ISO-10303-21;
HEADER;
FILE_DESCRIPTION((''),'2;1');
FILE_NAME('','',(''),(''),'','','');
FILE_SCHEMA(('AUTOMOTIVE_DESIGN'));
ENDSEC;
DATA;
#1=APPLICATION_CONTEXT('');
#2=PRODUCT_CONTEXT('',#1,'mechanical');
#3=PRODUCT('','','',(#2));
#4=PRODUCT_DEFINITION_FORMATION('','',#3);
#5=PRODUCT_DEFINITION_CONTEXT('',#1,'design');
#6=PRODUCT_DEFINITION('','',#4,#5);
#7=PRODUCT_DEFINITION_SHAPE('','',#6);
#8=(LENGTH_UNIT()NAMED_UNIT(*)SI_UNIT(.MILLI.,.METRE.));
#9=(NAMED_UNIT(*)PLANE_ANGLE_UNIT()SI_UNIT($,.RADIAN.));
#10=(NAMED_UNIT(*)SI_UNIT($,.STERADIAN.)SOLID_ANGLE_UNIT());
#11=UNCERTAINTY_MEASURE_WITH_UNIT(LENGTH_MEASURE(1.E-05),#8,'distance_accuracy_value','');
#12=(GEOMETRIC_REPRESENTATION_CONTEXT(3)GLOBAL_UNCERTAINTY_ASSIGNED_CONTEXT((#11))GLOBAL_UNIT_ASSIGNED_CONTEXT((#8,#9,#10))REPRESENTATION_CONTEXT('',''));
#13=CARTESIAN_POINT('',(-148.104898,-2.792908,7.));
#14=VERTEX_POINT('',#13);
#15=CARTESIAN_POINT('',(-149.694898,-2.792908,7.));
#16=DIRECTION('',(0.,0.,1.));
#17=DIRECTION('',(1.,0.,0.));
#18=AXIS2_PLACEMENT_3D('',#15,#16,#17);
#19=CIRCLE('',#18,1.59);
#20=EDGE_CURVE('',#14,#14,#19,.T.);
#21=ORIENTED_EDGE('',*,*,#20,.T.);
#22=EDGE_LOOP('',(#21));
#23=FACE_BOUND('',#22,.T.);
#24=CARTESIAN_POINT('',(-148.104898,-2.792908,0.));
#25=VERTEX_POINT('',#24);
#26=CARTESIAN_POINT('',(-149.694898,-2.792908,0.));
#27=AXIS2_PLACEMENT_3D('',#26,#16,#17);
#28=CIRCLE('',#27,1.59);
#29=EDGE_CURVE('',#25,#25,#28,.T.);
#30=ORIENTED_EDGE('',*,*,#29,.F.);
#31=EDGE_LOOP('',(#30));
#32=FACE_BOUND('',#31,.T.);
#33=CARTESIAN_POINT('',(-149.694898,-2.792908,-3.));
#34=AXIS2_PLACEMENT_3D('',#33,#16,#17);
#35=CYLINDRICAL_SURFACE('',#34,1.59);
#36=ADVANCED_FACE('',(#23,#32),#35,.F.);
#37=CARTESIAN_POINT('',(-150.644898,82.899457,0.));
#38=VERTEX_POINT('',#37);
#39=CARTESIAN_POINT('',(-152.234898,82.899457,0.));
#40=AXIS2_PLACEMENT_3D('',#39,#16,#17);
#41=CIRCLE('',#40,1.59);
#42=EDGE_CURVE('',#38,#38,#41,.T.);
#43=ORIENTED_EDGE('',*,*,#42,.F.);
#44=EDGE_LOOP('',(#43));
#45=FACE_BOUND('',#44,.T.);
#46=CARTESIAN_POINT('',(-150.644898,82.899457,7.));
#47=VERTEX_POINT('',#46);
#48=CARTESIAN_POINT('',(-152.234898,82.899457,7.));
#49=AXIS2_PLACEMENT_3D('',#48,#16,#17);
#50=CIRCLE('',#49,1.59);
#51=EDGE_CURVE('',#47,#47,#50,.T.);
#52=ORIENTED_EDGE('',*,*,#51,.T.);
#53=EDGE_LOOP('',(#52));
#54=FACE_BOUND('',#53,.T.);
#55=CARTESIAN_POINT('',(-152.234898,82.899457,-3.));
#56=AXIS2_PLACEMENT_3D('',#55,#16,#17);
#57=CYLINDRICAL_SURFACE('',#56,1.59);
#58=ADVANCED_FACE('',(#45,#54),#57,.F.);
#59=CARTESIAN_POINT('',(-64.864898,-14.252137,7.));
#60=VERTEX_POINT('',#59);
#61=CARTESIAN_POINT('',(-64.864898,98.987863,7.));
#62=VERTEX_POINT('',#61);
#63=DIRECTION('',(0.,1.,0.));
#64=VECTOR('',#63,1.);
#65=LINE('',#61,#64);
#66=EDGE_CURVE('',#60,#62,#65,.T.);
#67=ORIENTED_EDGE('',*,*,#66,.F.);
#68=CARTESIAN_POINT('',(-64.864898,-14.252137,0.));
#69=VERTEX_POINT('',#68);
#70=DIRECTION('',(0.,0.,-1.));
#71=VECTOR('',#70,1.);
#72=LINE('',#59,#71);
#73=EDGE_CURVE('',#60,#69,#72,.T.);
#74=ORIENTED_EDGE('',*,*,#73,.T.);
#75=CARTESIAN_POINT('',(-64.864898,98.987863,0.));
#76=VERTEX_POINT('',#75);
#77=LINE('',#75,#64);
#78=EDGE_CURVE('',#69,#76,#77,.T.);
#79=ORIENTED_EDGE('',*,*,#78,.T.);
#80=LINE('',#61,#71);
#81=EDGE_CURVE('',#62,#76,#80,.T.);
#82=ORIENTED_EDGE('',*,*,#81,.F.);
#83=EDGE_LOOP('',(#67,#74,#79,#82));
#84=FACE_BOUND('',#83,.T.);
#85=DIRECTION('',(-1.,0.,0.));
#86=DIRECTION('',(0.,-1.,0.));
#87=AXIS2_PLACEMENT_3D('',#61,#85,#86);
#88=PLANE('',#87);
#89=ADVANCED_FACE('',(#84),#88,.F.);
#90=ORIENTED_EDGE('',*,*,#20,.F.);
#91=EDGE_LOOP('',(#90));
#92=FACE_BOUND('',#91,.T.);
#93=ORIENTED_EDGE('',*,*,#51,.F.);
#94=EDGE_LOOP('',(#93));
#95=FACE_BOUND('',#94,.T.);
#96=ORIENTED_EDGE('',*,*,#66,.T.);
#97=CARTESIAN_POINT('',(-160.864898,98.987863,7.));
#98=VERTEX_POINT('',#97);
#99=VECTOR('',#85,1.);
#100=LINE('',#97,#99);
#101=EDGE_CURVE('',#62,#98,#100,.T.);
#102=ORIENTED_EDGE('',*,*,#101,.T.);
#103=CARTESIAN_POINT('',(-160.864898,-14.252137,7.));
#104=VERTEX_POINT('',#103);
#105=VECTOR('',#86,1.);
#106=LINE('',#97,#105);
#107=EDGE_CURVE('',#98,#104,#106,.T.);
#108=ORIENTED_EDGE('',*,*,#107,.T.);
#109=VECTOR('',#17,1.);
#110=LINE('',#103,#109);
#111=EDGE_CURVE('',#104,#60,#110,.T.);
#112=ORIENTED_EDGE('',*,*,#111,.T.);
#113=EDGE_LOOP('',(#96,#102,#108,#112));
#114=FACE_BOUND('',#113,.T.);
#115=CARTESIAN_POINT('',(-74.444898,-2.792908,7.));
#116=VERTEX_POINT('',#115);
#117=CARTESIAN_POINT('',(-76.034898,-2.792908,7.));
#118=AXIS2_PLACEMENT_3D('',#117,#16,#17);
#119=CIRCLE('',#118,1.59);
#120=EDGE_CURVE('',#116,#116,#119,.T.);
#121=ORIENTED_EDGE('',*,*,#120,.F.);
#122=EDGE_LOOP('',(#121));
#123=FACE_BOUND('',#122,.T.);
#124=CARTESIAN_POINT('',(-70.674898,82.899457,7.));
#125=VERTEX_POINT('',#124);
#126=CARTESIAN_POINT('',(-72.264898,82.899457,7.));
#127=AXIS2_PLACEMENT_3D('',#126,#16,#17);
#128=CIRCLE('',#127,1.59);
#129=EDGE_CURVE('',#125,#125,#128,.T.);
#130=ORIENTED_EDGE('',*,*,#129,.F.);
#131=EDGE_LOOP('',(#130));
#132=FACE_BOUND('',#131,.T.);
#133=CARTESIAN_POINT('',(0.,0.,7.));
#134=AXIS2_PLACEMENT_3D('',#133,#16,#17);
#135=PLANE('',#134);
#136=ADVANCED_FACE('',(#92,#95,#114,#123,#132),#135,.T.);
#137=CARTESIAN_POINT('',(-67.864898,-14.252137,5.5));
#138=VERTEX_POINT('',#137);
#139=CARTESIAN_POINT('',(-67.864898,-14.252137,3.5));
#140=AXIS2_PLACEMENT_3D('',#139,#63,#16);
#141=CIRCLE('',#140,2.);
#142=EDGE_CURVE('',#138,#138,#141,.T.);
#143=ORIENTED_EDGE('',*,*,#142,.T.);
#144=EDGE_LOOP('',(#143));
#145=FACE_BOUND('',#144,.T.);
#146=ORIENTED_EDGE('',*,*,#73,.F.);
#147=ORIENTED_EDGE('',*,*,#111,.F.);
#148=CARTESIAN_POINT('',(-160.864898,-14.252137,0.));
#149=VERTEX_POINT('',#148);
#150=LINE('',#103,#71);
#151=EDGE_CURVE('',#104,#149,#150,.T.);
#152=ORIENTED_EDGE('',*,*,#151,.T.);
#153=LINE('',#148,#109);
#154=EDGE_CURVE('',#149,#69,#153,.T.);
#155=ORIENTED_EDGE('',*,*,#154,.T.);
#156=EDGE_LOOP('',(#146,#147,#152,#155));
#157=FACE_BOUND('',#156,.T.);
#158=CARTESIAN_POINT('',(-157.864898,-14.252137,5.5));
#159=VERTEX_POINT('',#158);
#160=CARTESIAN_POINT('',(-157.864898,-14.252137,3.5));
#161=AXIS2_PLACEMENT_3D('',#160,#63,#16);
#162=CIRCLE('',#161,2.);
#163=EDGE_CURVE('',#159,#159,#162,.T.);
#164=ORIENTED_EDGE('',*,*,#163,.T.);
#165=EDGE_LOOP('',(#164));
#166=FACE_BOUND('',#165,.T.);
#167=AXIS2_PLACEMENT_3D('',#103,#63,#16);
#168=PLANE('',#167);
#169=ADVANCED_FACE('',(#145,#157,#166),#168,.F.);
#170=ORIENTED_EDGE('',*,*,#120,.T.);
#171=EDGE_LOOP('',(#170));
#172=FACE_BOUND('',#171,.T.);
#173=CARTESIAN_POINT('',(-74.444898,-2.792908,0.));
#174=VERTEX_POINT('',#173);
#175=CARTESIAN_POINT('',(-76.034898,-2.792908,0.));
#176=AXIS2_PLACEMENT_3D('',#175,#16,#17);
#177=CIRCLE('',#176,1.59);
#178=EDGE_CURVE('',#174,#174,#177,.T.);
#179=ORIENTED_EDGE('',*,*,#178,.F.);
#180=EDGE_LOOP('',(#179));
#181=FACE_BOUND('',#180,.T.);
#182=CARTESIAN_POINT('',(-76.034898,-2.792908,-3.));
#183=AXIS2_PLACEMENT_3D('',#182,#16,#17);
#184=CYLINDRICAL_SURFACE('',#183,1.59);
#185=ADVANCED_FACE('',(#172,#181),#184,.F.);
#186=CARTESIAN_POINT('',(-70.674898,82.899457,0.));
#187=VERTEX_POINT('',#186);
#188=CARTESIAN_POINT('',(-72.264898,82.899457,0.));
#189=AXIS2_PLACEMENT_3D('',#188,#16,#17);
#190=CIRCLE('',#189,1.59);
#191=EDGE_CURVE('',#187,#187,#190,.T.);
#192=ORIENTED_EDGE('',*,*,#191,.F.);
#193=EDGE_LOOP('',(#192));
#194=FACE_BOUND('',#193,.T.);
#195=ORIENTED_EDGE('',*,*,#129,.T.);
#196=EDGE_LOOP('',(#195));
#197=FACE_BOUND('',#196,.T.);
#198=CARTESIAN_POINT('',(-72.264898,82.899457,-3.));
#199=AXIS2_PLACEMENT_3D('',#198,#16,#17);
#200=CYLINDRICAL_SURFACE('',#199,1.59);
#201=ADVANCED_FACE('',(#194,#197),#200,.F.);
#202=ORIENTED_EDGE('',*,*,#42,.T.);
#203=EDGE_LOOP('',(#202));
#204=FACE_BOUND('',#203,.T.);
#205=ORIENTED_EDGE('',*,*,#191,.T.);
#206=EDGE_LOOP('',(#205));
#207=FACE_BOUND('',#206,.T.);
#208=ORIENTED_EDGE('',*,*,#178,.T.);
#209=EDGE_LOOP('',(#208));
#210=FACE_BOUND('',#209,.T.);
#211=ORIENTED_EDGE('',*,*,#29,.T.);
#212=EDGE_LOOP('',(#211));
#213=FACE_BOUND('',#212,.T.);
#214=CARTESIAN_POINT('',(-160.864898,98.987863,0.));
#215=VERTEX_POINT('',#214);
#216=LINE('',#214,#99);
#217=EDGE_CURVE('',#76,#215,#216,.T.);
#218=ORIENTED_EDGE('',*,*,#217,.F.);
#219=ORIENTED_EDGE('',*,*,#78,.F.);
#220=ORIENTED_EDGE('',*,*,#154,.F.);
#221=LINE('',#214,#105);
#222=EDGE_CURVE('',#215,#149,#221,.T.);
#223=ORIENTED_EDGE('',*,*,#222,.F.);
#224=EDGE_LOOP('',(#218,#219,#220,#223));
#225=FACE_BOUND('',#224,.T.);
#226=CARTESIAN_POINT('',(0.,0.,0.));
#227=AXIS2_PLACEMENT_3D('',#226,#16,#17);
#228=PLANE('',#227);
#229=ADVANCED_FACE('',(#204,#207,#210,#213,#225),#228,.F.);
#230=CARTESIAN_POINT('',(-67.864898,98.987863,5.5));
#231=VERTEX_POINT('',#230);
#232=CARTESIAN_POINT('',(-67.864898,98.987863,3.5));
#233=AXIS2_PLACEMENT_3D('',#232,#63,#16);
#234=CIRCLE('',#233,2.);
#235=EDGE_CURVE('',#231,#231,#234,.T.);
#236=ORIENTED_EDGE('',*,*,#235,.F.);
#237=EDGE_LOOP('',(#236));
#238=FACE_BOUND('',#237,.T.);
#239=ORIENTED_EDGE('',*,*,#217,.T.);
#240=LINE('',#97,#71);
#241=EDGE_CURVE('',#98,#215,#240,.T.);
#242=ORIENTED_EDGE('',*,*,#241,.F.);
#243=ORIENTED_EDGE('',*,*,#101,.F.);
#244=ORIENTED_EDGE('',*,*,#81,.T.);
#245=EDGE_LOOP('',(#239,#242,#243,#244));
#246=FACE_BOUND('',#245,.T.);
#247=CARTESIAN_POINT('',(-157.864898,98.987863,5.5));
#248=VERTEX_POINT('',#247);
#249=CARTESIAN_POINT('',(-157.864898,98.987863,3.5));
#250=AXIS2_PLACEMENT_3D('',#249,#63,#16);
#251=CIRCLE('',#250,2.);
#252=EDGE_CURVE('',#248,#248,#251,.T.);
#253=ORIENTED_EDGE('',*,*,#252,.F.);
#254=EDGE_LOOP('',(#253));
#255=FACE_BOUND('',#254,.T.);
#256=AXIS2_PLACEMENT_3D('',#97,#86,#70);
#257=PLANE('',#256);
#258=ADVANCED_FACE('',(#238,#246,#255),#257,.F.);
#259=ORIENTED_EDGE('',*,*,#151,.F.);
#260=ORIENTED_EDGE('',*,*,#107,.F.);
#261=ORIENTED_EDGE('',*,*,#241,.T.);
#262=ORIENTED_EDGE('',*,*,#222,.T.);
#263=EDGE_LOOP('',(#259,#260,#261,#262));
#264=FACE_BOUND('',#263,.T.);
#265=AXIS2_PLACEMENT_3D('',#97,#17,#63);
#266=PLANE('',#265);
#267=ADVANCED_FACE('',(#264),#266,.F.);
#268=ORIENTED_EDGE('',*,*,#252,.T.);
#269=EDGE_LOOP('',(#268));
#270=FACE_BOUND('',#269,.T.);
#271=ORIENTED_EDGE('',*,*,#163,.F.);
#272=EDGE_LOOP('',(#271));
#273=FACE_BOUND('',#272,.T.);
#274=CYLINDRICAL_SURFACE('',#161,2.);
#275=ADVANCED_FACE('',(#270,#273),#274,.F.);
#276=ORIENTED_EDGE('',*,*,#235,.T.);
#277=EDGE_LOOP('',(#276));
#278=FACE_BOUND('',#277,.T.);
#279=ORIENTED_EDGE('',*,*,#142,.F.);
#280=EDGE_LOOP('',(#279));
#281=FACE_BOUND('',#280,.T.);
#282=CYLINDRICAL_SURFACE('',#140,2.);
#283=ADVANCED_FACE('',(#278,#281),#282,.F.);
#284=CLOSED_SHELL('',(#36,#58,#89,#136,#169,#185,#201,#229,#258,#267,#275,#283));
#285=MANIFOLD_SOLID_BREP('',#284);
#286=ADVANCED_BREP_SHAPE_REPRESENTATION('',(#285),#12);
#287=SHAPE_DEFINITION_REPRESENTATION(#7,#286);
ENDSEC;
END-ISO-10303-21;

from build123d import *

# Parameters (mm, degrees)
SKETCH1_W           = 96
SKETCH1_H           = 113.24
BOSS_EXTRUDE1_DEPTH = 7
SKETCH2_R           = 1.59
CUT_EXTRUDE1_DEPTH  = 10
SKETCH4_R           = 2
CUT_EXTRUDE3_DEPTH  = 197.849722269


with BuildPart() as part:
    # Sketch1 → Boss-Extrude1 (new body)
    with BuildSketch(Plane.XY):
        with Locations((-112.864898463, 42.367863248)):
            Rectangle(SKETCH1_W, SKETCH1_H)
    extrude(amount=BOSS_EXTRUDE1_DEPTH)

    # Sketch2 → Cut-Extrude1 (cut)
    with BuildSketch(Plane.XY.offset(7)):
        with Locations((-152.234898463, 82.899456576)):
            Circle(SKETCH2_R)
        with Locations((-72.264898463, 82.899456576)):
            Circle(SKETCH2_R)
        with Locations((-149.694898463, -2.792907728)):
            Circle(SKETCH2_R)
        with Locations((-76.034898463, -2.792907728)):
            Circle(SKETCH2_R)
    extrude(amount=-CUT_EXTRUDE1_DEPTH, mode=Mode.SUBTRACT)

    # Sketch4 → Cut-Extrude3 (cut, through all)
    with BuildSketch(Plane(origin=(0, 98.987863248, 0), x_dir=(1, 0, 0), z_dir=(0, 1, 0))):
        with Locations(Location((-67.864898463, -3.5, 0), (0, 0, 270))):
            Circle(SKETCH4_R)
        with Locations(Location((-157.864898463, -3.5, 0), (0, 0, 270))):
            Circle(SKETCH4_R)
    extrude(amount=-CUT_EXTRUDE3_DEPTH, mode=Mode.SUBTRACT)


solid = part.part
